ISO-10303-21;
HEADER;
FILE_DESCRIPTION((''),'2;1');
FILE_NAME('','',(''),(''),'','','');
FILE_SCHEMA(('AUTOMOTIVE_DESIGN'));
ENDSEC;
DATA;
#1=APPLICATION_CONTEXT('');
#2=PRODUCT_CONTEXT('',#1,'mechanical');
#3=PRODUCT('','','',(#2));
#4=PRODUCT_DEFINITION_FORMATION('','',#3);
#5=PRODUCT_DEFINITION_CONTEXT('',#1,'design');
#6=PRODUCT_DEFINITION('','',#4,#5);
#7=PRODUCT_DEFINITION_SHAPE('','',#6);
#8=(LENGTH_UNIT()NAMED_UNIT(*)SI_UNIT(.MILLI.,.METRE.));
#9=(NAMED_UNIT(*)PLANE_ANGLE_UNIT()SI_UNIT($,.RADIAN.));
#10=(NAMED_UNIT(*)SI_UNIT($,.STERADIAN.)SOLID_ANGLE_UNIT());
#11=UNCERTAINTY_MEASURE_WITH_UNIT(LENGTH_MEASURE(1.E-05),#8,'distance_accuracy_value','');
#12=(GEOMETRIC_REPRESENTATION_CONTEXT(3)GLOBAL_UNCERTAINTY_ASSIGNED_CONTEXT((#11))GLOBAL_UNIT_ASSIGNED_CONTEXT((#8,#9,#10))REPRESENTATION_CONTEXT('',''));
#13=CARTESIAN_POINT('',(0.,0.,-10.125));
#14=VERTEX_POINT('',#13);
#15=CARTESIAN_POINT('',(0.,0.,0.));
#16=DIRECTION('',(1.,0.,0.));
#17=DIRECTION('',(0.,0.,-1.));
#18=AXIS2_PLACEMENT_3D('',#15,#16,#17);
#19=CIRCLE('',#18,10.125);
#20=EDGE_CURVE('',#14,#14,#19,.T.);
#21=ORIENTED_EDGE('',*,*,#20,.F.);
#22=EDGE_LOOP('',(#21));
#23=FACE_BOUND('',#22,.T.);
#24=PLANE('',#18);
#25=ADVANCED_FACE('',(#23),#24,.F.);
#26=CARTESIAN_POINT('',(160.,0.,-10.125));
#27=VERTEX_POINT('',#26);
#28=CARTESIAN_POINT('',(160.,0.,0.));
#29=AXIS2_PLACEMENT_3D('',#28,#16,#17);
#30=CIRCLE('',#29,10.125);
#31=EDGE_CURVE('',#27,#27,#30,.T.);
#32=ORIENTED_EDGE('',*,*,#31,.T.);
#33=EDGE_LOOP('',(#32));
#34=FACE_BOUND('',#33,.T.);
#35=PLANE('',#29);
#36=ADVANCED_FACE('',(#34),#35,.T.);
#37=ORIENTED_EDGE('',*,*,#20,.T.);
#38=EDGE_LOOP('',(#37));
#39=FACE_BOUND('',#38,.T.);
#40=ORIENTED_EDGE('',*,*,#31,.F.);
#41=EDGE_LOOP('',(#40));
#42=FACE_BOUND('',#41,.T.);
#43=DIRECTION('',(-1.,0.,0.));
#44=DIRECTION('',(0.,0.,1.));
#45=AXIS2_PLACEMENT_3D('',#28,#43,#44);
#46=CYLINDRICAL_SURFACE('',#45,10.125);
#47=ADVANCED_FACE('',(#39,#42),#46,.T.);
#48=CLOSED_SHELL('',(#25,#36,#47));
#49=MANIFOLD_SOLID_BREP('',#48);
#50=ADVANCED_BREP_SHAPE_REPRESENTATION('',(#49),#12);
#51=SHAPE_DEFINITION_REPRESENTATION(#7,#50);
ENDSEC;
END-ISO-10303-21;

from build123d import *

# Parameters (mm, degrees)
ESQUISSE1_R        = 10.125
BOSS_EXTRU_1_DEPTH = 160


with BuildPart() as part:
    # Esquisse1 → Boss.-Extru.1 (new body)
    with BuildSketch(Plane(origin=(0, 0, 0), x_dir=(0, 0, -1), z_dir=(1, 0, 0))):
        Circle(ESQUISSE1_R)
    extrude(amount=BOSS_EXTRU_1_DEPTH)


solid = part.part
